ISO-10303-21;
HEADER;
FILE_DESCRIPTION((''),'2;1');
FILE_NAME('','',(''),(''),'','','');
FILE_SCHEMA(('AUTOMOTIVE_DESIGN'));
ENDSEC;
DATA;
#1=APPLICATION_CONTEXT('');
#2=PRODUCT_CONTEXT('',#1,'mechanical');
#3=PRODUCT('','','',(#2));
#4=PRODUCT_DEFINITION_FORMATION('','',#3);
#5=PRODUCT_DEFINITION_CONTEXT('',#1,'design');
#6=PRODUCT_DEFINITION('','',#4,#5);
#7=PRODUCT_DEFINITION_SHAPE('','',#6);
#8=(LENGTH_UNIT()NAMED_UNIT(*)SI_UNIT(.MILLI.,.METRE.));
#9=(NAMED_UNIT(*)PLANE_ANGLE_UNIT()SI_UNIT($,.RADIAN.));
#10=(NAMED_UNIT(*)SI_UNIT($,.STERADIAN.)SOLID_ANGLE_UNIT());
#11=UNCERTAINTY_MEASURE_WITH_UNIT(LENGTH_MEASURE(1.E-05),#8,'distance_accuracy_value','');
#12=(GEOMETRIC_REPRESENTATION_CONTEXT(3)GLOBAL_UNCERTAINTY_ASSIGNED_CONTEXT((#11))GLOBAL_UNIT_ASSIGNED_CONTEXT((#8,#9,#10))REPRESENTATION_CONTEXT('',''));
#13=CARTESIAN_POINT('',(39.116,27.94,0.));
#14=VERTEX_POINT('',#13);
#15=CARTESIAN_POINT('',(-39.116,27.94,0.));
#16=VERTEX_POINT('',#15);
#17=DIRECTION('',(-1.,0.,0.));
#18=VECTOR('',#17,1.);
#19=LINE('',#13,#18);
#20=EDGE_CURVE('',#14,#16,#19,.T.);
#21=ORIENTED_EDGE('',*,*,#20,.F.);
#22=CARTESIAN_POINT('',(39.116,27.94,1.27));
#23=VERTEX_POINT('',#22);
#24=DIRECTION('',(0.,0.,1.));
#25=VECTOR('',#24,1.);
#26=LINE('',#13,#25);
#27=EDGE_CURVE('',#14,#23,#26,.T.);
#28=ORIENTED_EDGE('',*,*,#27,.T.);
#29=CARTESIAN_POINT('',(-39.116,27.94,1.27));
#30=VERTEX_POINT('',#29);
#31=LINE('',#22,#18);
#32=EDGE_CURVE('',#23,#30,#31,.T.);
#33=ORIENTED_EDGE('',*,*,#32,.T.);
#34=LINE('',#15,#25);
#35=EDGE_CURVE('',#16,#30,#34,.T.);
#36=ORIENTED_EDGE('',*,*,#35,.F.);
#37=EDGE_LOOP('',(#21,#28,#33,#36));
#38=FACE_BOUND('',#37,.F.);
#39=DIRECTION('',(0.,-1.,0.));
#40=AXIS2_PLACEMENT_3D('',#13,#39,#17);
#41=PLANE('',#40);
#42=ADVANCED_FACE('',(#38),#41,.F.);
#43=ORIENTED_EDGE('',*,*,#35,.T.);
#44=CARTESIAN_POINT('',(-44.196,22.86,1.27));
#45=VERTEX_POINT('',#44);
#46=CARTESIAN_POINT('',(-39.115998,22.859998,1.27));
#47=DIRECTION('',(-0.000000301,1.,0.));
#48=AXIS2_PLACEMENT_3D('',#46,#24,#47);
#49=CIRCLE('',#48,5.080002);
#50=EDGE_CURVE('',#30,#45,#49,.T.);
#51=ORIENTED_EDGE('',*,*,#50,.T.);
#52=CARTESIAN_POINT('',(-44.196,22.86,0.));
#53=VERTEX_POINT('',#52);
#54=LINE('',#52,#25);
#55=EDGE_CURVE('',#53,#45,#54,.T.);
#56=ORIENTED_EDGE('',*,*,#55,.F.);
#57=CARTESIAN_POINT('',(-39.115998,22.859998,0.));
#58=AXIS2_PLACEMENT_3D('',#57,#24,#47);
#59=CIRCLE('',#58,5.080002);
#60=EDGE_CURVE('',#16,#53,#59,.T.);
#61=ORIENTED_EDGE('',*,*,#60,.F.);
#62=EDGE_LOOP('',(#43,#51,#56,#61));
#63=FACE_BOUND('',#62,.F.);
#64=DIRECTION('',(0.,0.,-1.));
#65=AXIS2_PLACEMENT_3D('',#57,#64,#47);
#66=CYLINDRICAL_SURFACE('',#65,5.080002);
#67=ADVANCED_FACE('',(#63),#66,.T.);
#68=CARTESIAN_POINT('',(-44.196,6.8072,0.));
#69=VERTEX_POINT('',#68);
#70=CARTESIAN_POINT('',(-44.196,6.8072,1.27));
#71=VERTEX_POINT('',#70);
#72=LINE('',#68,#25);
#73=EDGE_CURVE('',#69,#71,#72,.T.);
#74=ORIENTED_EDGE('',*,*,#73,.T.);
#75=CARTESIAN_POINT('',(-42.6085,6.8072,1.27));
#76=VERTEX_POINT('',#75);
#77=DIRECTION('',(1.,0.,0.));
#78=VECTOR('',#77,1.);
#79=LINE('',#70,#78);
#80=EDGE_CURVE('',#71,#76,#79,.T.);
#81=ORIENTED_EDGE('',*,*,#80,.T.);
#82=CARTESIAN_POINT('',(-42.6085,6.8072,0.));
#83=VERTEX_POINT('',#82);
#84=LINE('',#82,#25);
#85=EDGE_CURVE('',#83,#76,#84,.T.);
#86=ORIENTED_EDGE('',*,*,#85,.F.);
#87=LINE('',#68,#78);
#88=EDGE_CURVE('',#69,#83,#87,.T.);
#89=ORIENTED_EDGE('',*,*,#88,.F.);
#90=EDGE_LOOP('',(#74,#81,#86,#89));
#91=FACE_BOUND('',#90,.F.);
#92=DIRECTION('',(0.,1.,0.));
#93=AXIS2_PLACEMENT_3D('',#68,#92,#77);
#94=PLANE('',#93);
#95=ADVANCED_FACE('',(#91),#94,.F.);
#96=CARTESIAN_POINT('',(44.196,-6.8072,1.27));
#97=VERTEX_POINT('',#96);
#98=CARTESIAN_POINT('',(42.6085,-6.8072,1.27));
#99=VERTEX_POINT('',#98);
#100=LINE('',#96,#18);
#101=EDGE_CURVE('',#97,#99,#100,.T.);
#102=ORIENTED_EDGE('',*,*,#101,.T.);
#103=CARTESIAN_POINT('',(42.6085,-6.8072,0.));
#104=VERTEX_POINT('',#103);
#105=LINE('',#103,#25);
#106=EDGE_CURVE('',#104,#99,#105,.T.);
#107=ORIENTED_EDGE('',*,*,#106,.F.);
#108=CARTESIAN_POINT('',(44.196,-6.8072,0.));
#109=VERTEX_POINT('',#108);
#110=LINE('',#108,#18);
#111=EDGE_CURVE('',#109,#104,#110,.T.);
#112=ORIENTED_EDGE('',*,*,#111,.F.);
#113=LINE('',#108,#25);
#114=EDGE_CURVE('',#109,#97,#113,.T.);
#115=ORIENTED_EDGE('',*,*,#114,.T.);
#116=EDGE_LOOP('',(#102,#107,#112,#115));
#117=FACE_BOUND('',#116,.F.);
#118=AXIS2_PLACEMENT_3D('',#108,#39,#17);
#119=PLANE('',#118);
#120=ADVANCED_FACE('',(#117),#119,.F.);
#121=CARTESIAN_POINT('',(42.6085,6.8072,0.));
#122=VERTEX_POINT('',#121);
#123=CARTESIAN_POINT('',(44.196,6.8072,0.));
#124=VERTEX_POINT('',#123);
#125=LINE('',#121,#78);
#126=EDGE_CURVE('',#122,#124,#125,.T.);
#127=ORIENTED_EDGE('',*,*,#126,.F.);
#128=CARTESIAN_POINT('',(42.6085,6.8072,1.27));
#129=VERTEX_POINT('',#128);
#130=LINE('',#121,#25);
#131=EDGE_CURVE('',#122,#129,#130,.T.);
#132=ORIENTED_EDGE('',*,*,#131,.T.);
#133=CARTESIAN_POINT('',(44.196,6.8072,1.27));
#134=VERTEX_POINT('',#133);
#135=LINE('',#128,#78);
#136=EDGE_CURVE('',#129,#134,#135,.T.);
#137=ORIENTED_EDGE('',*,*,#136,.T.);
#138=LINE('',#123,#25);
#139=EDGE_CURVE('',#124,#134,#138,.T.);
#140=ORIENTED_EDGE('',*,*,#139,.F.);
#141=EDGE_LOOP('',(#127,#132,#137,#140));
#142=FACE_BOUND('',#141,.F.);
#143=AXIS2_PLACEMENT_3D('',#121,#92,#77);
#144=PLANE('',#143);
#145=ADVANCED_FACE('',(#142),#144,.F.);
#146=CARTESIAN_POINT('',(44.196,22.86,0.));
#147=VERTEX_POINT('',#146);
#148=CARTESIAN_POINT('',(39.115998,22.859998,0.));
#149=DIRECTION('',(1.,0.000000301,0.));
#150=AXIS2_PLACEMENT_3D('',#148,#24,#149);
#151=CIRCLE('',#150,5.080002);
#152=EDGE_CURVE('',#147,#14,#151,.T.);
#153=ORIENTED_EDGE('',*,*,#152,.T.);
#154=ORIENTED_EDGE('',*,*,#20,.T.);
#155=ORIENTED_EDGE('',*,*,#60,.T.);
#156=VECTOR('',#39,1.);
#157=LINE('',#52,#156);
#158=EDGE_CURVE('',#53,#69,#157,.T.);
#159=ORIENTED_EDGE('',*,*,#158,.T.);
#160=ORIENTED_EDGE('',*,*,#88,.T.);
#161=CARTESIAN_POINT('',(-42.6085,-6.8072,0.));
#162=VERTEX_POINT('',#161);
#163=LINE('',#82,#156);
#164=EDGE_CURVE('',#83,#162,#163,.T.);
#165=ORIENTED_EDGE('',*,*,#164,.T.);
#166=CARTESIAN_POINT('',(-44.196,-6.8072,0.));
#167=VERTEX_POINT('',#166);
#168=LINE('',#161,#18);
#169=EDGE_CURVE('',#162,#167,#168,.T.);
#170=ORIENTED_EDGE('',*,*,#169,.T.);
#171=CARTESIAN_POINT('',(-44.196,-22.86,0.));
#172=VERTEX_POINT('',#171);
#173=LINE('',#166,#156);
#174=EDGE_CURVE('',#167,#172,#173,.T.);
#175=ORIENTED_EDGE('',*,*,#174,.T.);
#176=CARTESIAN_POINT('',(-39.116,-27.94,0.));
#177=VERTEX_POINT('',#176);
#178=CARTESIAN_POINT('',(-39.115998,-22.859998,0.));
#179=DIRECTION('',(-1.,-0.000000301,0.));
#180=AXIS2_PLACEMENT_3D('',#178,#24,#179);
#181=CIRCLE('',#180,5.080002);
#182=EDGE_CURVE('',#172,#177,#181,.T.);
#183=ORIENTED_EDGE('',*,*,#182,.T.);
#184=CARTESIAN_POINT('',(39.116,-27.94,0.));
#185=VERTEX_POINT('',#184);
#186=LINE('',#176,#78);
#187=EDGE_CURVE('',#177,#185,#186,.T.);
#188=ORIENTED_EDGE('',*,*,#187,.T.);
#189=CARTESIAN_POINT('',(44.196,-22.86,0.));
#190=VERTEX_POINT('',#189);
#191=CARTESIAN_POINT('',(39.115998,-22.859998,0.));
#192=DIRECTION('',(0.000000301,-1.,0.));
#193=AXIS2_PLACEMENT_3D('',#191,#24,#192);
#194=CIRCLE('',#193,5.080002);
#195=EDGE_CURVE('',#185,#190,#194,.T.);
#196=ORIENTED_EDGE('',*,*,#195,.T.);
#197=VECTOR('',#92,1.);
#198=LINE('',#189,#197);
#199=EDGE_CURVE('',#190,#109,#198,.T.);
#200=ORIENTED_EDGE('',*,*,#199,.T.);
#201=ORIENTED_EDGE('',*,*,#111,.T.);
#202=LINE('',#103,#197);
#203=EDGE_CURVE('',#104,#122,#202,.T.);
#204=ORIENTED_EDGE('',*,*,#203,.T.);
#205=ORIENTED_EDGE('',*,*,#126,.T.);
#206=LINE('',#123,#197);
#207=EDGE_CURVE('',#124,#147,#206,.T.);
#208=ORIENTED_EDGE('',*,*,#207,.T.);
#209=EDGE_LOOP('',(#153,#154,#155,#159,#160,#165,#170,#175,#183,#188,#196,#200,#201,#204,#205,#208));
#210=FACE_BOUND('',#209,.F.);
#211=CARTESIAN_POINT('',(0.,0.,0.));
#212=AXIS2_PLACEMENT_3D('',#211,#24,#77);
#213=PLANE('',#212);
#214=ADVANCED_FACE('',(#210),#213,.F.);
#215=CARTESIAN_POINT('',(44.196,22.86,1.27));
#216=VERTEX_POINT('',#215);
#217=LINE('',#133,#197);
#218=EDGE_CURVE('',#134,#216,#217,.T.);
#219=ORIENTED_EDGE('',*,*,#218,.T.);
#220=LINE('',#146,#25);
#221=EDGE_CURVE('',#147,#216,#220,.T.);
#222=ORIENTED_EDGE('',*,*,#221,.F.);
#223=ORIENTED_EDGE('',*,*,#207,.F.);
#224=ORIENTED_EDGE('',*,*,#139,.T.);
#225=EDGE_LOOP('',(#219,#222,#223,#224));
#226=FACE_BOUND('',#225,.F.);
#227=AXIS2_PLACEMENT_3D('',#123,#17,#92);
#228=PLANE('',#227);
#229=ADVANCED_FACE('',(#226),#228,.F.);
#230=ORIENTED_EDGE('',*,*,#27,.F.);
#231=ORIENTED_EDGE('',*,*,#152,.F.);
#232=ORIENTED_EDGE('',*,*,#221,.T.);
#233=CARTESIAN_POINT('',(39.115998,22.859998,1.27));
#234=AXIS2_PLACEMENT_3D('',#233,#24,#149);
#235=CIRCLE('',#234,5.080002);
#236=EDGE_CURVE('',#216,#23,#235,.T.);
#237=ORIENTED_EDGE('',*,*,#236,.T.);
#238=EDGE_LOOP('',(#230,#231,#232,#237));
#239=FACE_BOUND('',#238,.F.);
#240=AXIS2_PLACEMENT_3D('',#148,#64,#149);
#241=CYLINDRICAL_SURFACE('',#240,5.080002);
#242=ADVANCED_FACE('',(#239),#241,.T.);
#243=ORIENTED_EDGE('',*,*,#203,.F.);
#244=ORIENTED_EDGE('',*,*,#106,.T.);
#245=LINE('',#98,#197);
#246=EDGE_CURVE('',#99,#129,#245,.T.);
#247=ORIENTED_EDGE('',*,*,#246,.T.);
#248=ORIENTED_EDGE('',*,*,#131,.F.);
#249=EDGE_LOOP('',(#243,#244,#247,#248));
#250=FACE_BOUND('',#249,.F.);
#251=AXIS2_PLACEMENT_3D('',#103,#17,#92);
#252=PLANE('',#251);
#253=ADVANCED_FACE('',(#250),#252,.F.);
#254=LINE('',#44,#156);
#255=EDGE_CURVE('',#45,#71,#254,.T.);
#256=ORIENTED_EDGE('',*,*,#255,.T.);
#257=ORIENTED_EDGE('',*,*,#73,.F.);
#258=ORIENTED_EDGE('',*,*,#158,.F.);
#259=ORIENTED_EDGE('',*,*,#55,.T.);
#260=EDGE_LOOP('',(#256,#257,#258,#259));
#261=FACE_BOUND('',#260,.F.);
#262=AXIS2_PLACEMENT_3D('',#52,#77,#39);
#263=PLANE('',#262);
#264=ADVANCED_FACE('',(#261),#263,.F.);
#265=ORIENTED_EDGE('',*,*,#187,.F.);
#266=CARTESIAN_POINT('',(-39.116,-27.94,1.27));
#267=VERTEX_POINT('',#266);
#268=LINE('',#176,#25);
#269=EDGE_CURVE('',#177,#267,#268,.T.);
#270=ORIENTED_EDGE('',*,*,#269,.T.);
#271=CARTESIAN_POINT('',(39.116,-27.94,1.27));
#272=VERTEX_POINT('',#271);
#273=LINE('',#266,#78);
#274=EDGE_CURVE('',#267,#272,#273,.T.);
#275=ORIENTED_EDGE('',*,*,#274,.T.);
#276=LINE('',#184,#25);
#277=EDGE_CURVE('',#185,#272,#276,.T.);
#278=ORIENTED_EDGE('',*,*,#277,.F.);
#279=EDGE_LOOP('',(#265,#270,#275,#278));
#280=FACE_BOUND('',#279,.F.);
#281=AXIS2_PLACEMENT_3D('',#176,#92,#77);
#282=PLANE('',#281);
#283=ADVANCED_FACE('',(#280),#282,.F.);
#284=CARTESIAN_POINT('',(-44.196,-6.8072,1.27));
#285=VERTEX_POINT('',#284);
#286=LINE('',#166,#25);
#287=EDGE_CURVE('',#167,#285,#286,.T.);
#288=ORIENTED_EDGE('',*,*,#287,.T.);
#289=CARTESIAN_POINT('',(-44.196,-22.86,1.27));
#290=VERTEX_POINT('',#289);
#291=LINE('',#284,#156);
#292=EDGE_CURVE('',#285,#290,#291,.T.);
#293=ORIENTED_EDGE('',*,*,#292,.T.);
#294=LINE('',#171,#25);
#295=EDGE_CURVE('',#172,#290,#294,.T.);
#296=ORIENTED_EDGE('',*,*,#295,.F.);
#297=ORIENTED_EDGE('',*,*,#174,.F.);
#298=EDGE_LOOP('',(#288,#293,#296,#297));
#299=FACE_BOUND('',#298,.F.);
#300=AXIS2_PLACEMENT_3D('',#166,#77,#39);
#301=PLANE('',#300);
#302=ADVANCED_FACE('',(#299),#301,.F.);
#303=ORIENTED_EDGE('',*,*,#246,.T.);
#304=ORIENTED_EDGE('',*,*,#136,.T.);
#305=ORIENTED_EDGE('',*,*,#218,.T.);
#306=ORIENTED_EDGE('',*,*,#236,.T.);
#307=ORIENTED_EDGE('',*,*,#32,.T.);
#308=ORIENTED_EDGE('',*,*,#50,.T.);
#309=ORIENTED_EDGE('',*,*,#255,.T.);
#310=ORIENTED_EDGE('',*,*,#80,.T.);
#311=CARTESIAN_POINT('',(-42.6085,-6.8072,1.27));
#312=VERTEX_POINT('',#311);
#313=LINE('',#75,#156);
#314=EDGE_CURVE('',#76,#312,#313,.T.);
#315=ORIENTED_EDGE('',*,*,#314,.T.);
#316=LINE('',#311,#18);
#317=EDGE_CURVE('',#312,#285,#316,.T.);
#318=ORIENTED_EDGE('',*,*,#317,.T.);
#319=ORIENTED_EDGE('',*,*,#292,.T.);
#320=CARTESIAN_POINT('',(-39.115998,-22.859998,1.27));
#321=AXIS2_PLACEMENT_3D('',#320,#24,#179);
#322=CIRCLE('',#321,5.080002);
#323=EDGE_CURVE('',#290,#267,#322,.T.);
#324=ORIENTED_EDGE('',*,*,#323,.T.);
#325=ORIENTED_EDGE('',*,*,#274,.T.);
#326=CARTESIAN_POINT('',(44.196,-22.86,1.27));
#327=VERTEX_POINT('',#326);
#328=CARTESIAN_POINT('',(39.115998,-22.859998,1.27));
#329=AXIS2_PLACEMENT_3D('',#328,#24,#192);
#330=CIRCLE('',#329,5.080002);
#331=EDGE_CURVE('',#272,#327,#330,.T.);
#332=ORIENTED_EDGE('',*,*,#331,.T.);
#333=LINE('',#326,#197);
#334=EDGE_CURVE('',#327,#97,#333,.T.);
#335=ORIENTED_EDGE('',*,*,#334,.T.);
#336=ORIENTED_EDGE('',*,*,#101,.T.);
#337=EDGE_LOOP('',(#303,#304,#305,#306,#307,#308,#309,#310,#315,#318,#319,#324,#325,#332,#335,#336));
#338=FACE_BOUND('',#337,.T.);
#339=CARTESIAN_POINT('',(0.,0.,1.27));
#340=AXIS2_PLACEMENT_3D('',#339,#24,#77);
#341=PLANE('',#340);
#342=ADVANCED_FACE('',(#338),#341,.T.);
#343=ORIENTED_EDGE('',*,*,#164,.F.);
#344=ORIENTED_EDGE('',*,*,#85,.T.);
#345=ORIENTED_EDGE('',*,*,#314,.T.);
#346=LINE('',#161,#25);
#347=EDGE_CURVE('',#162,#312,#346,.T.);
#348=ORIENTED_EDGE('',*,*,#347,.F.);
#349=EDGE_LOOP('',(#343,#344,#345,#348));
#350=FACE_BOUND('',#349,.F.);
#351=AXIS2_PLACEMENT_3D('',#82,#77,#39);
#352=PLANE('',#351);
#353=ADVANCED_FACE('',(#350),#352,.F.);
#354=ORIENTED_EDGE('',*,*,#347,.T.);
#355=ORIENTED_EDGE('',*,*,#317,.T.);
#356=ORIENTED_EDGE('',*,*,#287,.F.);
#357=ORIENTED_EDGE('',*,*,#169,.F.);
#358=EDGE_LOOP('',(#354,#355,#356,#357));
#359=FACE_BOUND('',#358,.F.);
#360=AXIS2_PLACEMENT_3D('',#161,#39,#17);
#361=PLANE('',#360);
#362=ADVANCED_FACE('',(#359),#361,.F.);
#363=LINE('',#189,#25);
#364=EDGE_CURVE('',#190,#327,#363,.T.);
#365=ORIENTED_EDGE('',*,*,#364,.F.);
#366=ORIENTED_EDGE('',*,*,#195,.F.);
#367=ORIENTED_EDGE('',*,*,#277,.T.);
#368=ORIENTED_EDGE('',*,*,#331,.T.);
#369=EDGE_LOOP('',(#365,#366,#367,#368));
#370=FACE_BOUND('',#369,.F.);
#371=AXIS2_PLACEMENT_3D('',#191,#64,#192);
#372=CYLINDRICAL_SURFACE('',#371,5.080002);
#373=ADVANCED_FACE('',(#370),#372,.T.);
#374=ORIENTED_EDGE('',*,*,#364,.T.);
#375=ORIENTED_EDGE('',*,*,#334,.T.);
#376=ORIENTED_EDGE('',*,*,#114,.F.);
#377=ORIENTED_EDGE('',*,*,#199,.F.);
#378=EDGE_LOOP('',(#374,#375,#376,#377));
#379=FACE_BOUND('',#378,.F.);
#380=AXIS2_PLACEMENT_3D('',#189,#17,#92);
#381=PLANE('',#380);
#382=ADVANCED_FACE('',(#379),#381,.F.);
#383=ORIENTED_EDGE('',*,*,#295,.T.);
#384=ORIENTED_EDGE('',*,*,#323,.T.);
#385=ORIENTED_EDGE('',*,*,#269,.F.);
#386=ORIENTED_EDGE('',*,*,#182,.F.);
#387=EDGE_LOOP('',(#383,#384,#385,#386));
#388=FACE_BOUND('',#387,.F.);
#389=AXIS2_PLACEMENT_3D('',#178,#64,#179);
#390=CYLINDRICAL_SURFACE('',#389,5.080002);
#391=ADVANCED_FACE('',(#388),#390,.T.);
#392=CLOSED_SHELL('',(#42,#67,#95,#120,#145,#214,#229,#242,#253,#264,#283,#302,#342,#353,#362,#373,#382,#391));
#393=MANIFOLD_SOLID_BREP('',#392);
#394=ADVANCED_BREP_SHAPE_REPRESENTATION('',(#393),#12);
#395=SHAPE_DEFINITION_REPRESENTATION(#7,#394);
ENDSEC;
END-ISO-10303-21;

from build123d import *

# Parameters (mm, degrees)
F1_DEPTH = 1.27


with BuildPart() as f1:
    # F0 (on Top) → F1 (new body)
    with BuildSketch(Plane.XY):
        with BuildLine():
            ThreePointArc((44.196, 22.86), (42.708102, 26.452102), (39.116, 27.94))
            Line((39.116, 27.94), (-39.116, 27.94))
            ThreePointArc((-39.116, 27.94), (-42.708102, 26.452102), (-44.196, 22.86))
            Line((-44.196, 22.86), (-44.196, 6.8072))
            Line((-44.196, 6.8072), (-43.4975, 6.8072))
            Line((-43.4975, 6.8072), (-42.799, 6.8072))
            Line((-42.799, 6.8072), (-42.6085, 6.8072))
            Line((-42.6085, 6.8072), (-42.6085, -6.8072))
            Line((-42.6085, -6.8072), (-42.799, -6.8072))
            Line((-42.799, -6.8072), (-43.4975, -6.8072))
            Line((-43.4975, -6.8072), (-44.196, -6.8072))
            Line((-44.196, -6.8072), (-44.196, -22.86))
            ThreePointArc((-44.196, -22.86), (-42.708102, -26.452102), (-39.116, -27.94))
            Line((-39.116, -27.94), (39.116, -27.94))
            ThreePointArc((39.116, -27.94), (42.708102, -26.452102), (44.196, -22.86))
            Line((44.196, -22.86), (44.196, -6.8072))
            Line((44.196, -6.8072), (43.4975, -6.8072))
            Line((43.4975, -6.8072), (42.799, -6.8072))
            Line((42.799, -6.8072), (42.6085, -6.8072))
            Line((42.6085, -6.8072), (42.6085, 6.8072))
            Line((42.6085, 6.8072), (42.799, 6.8072))
            Line((42.799, 6.8072), (43.4975, 6.8072))
            Line((43.4975, 6.8072), (44.196, 6.8072))
            Line((44.196, 6.8072), (44.196, 22.86))
        make_face()
    extrude(amount=F1_DEPTH)


solid = f1.part
